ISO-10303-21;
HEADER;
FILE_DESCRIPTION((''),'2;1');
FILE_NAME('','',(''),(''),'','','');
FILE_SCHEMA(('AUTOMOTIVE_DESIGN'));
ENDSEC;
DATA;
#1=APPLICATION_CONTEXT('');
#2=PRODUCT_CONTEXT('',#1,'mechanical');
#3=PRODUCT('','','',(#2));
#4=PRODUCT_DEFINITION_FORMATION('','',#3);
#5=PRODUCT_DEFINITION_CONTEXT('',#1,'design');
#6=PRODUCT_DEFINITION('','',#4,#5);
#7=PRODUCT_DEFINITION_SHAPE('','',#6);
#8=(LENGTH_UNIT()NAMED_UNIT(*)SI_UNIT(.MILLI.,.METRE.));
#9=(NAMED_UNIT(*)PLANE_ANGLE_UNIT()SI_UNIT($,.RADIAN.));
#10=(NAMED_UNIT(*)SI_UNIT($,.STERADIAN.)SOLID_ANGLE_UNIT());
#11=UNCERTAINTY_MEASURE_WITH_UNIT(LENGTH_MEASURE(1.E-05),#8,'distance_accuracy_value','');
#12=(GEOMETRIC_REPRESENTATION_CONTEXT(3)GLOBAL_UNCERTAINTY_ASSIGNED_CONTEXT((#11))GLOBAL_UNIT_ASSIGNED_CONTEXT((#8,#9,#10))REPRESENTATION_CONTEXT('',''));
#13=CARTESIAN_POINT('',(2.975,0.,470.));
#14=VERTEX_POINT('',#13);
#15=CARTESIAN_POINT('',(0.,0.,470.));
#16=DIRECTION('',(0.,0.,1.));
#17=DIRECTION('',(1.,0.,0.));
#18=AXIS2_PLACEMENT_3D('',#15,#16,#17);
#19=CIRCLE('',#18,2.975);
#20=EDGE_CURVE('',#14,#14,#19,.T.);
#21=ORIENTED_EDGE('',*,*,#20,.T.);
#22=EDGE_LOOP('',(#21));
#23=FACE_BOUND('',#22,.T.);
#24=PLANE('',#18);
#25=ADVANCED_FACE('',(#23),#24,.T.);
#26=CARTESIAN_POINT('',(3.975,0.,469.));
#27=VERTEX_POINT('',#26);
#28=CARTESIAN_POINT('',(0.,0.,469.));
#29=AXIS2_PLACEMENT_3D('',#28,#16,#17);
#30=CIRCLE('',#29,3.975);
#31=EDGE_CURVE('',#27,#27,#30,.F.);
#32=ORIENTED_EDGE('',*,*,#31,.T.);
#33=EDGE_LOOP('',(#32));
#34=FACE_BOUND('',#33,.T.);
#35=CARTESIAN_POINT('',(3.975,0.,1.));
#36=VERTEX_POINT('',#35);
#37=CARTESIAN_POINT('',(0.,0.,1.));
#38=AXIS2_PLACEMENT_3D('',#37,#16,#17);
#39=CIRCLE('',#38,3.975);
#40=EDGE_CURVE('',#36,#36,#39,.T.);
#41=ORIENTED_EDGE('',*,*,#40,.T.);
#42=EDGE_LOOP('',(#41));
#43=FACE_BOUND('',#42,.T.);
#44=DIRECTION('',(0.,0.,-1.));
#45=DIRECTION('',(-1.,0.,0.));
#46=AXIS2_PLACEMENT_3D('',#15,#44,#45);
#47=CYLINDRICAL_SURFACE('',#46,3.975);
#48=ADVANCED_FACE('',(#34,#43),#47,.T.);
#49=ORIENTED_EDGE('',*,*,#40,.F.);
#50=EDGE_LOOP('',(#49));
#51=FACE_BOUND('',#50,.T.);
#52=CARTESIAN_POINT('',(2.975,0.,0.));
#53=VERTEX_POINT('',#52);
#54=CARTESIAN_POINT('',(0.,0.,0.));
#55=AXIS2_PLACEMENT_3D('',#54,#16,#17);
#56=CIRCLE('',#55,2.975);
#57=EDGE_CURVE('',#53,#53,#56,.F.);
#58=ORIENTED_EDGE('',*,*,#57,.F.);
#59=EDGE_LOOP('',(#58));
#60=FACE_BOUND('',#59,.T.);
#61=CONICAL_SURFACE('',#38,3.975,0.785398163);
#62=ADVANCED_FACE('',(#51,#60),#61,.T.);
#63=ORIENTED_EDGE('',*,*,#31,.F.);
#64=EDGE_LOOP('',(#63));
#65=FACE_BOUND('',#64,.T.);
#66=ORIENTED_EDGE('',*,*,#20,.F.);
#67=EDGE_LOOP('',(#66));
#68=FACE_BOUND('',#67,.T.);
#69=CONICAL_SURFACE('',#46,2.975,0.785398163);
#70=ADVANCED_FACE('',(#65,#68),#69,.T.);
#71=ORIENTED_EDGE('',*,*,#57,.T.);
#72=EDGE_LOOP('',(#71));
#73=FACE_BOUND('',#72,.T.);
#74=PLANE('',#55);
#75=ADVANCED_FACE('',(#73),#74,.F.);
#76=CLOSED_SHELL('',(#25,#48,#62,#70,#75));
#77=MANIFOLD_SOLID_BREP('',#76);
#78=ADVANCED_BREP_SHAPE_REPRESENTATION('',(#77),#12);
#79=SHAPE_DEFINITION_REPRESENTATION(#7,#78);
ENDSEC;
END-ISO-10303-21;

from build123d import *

# Parameters (mm, degrees)
SKETCH1_R           = 3.975
BOSS_EXTRUDE1_DEPTH = 470
CHAMFER1_SIZE       = 1


with BuildPart() as part:
    # Sketch1 → Boss-Extrude1 (new body)
    with BuildSketch(Plane.XY):
        Circle(SKETCH1_R)
    extrude(amount=BOSS_EXTRUDE1_DEPTH)

    # Chamfer1
    chamfer1_edges = [part.edges().sort_by_distance(p)[0] for p in [
        (-3.975, 0, 0),
        (-3.975, 0, 470),
    ]]
    chamfer(chamfer1_edges, length=CHAMFER1_SIZE)


solid = part.part
